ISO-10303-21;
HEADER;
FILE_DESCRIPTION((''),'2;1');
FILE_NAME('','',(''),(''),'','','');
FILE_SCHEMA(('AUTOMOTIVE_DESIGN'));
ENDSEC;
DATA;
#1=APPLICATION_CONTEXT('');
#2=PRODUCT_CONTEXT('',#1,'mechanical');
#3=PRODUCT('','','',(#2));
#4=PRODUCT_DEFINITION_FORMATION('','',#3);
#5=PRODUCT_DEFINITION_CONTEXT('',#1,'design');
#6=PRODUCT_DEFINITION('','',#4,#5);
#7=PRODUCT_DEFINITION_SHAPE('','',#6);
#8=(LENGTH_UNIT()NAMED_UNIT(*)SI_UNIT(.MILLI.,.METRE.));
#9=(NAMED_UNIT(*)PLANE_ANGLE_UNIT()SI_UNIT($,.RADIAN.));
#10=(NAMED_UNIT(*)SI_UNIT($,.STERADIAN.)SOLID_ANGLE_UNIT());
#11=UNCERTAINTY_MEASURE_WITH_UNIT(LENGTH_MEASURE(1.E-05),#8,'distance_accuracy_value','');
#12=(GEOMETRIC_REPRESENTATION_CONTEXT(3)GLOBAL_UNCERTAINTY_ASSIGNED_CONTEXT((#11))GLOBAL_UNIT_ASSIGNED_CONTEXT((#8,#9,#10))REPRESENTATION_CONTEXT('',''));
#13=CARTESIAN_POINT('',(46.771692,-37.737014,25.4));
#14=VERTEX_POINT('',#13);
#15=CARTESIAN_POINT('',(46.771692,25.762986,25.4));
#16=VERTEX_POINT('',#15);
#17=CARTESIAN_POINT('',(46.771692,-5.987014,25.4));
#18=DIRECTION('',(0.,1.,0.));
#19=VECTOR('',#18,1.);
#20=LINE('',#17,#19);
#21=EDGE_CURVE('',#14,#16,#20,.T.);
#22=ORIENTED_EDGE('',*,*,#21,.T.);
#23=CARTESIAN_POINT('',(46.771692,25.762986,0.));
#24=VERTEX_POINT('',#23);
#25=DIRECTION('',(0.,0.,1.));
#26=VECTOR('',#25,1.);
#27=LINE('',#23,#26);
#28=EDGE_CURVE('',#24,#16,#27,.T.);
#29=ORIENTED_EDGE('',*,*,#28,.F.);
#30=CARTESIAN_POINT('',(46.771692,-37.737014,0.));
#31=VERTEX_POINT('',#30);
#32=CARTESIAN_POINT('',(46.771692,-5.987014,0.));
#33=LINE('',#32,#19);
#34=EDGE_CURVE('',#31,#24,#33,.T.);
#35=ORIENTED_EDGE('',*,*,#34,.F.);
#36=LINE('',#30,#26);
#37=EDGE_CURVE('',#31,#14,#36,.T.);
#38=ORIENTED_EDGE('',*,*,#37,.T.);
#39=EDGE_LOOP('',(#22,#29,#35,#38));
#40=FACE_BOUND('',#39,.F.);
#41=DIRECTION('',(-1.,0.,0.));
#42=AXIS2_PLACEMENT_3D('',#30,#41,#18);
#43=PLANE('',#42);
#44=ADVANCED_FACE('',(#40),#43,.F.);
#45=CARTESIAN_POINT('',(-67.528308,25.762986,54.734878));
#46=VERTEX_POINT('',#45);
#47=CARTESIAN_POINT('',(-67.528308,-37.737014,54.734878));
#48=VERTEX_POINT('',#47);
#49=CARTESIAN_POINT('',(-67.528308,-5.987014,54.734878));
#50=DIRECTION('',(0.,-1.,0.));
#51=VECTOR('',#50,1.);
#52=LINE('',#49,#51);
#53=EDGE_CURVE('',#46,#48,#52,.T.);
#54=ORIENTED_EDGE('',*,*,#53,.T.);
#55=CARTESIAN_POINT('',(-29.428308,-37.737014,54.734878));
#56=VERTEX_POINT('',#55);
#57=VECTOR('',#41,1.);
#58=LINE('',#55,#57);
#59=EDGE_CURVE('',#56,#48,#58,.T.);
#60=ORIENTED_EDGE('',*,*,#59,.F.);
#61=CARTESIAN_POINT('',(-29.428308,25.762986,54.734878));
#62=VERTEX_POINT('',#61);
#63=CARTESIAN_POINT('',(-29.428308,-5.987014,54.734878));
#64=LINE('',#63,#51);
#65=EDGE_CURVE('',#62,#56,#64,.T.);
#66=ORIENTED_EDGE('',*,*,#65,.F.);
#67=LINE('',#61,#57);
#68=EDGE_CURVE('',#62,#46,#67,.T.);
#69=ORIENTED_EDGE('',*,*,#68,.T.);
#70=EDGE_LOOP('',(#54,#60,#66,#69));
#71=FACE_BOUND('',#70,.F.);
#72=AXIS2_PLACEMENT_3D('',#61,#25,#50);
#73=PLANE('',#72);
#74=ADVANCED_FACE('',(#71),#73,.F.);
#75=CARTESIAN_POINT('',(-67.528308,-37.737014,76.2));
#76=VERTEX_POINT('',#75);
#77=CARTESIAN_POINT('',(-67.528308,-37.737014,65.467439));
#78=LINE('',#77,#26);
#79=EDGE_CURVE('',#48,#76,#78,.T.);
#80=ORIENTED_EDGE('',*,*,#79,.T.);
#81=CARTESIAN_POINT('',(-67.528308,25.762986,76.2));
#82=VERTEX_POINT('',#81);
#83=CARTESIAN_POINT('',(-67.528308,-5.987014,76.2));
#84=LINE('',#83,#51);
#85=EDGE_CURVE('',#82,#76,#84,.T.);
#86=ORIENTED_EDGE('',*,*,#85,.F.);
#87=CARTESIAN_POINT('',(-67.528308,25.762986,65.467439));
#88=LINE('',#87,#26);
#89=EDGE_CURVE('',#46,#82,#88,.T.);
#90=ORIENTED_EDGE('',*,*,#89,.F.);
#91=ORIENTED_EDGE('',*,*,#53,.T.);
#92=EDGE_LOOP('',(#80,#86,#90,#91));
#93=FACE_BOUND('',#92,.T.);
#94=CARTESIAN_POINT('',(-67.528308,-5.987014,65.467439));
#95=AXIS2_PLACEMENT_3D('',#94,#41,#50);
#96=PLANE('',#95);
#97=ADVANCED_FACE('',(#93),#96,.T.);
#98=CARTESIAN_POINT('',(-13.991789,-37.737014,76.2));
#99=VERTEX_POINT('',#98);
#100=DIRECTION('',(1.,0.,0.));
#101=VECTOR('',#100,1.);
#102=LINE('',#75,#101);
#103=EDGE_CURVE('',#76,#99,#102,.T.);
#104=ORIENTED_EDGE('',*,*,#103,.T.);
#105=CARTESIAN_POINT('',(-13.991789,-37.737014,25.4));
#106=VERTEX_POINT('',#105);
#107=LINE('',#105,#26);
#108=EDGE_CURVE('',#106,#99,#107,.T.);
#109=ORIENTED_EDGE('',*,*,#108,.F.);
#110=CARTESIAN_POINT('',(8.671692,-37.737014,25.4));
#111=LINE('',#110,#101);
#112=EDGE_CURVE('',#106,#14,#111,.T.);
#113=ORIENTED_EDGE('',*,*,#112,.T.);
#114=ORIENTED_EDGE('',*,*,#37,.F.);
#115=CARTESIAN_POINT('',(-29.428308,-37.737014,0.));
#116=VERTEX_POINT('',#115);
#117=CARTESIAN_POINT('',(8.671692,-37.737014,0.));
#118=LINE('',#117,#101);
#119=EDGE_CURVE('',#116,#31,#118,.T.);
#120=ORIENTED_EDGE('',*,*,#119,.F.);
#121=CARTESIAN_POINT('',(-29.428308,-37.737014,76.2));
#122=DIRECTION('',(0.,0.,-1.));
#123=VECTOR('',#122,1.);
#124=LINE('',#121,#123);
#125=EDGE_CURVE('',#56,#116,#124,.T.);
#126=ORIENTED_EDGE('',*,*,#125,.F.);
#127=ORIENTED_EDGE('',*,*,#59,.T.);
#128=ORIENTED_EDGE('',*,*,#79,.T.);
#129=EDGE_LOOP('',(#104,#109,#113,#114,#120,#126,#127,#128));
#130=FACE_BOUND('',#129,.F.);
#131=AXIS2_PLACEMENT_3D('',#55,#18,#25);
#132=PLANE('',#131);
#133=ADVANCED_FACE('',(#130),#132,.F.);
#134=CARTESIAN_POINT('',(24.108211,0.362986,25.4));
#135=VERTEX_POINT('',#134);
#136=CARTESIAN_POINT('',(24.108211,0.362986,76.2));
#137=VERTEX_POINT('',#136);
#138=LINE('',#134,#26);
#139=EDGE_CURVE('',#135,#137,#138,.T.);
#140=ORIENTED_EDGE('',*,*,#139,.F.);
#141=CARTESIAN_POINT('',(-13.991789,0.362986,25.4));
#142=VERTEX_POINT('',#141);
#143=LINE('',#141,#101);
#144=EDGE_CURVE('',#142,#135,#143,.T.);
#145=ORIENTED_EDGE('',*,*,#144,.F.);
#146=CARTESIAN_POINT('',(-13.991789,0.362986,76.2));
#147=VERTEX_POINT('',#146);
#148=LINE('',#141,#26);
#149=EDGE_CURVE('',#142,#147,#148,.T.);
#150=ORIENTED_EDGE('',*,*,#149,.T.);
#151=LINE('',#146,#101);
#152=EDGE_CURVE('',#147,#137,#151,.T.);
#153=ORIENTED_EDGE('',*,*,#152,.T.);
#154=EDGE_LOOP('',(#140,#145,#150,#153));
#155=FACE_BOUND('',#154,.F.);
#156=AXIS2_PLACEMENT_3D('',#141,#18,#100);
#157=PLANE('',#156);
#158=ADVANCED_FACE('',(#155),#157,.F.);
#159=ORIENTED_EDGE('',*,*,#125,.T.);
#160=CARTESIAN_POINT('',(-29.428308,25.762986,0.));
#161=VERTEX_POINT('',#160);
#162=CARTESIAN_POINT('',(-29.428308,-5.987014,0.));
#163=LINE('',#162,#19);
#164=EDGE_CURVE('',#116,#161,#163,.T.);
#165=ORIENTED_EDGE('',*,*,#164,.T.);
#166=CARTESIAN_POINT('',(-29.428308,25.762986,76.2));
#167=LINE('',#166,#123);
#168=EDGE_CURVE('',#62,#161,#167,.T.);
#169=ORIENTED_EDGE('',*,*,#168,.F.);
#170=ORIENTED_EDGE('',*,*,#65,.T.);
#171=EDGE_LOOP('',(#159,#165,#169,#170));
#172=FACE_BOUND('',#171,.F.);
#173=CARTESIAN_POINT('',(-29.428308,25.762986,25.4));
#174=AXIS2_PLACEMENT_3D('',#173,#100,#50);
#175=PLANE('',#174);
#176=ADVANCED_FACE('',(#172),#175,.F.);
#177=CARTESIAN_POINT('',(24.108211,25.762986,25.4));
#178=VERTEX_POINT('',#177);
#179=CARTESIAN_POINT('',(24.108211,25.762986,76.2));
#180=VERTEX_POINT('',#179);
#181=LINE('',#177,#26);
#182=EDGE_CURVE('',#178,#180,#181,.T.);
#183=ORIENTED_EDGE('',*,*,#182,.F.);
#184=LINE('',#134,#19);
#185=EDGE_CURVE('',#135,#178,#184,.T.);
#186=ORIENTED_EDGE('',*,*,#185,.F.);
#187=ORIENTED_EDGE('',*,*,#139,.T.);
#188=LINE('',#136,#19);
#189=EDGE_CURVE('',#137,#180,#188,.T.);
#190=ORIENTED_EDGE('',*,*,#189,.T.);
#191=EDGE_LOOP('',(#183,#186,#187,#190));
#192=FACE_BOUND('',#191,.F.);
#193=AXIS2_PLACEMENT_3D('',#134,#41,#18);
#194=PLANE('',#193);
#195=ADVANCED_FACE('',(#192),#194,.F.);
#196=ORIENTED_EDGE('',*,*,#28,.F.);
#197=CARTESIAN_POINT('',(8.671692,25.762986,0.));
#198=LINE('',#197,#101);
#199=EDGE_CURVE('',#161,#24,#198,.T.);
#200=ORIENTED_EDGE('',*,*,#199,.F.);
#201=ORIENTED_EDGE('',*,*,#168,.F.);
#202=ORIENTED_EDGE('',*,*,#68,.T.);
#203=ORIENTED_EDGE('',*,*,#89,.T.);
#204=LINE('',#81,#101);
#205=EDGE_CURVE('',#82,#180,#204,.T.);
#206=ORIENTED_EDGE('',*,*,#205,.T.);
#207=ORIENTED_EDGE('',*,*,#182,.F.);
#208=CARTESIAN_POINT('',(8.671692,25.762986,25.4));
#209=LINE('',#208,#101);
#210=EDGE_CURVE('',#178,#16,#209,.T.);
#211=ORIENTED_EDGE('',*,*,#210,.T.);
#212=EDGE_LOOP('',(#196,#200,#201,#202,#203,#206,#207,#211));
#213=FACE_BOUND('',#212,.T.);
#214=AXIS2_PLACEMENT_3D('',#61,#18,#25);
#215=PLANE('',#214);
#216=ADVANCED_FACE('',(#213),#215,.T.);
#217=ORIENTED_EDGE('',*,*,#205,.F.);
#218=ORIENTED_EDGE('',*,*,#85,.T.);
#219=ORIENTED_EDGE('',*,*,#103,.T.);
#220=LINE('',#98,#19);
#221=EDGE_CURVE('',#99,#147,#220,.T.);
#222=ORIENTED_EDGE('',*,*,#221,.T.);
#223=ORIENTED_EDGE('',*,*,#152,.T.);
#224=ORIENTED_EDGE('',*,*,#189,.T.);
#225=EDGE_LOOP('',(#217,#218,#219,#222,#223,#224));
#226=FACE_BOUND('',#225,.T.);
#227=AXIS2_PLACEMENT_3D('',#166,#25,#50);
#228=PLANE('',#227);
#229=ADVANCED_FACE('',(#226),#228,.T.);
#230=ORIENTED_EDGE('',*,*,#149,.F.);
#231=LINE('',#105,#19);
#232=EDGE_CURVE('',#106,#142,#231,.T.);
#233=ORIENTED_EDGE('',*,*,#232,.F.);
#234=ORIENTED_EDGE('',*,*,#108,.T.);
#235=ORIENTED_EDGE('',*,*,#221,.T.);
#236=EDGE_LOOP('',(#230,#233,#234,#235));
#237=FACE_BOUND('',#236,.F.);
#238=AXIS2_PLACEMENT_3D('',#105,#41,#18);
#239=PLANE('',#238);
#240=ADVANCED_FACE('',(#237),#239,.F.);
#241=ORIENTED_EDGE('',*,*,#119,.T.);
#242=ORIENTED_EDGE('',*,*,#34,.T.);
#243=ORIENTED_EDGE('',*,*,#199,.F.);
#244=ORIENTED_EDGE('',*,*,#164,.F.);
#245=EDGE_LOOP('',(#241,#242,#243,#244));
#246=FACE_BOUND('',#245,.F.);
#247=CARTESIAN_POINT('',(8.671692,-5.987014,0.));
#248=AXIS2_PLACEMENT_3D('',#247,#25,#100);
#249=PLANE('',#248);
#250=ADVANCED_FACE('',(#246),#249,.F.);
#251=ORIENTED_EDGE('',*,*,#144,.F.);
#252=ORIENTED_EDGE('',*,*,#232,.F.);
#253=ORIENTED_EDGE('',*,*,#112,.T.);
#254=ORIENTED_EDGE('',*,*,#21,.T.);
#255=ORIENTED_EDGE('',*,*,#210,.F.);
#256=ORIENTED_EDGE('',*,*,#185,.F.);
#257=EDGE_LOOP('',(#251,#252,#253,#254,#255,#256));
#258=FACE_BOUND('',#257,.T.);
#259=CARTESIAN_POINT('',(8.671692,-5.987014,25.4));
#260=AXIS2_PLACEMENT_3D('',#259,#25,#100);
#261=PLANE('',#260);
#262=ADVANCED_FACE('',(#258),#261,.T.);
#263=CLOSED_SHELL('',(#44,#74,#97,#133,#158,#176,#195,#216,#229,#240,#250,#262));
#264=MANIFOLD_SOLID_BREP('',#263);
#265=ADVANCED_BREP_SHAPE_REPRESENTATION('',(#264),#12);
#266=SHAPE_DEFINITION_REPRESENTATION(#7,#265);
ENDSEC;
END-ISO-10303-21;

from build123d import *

# Parameters (mm, degrees)
F0_W     = 76.2
F0_H     = 63.5
F1_DEPTH = 25.4
F3_DEPTH = 50.8
F4_W     = 63.5
F4_H     = 21.465122
F5_DEPTH = 38.1


with BuildPart() as f1:
    # F0 (on Top) → F1 (new body)
    with BuildSketch(Plane.XY):
        with Locations((8.671692, -5.987014)):
            Rectangle(F0_W, F0_H)
    extrude(amount=F1_DEPTH)

    # F2 (on face) → F3 (join)
    with BuildSketch(Plane.XY.offset(25.4)):
        Polygon((-29.428308, -37.737014), (-13.991789, -37.737014), (-13.991789, 0.362986), (24.108211, 0.362986), (24.108211, 25.762986), (-29.428308, 25.762986), align=None)
    extrude(amount=F3_DEPTH)

    # F4 (on face) → F5 (join)
    with BuildSketch(Plane(origin=(-29.428308, 0, 0), x_dir=(0, -1, 0), z_dir=(-1, 0, 0))):
        with Locations((5.987014, 65.467439)):
            Rectangle(F4_W, F4_H)
    extrude(amount=F5_DEPTH)


solid = f1.part
